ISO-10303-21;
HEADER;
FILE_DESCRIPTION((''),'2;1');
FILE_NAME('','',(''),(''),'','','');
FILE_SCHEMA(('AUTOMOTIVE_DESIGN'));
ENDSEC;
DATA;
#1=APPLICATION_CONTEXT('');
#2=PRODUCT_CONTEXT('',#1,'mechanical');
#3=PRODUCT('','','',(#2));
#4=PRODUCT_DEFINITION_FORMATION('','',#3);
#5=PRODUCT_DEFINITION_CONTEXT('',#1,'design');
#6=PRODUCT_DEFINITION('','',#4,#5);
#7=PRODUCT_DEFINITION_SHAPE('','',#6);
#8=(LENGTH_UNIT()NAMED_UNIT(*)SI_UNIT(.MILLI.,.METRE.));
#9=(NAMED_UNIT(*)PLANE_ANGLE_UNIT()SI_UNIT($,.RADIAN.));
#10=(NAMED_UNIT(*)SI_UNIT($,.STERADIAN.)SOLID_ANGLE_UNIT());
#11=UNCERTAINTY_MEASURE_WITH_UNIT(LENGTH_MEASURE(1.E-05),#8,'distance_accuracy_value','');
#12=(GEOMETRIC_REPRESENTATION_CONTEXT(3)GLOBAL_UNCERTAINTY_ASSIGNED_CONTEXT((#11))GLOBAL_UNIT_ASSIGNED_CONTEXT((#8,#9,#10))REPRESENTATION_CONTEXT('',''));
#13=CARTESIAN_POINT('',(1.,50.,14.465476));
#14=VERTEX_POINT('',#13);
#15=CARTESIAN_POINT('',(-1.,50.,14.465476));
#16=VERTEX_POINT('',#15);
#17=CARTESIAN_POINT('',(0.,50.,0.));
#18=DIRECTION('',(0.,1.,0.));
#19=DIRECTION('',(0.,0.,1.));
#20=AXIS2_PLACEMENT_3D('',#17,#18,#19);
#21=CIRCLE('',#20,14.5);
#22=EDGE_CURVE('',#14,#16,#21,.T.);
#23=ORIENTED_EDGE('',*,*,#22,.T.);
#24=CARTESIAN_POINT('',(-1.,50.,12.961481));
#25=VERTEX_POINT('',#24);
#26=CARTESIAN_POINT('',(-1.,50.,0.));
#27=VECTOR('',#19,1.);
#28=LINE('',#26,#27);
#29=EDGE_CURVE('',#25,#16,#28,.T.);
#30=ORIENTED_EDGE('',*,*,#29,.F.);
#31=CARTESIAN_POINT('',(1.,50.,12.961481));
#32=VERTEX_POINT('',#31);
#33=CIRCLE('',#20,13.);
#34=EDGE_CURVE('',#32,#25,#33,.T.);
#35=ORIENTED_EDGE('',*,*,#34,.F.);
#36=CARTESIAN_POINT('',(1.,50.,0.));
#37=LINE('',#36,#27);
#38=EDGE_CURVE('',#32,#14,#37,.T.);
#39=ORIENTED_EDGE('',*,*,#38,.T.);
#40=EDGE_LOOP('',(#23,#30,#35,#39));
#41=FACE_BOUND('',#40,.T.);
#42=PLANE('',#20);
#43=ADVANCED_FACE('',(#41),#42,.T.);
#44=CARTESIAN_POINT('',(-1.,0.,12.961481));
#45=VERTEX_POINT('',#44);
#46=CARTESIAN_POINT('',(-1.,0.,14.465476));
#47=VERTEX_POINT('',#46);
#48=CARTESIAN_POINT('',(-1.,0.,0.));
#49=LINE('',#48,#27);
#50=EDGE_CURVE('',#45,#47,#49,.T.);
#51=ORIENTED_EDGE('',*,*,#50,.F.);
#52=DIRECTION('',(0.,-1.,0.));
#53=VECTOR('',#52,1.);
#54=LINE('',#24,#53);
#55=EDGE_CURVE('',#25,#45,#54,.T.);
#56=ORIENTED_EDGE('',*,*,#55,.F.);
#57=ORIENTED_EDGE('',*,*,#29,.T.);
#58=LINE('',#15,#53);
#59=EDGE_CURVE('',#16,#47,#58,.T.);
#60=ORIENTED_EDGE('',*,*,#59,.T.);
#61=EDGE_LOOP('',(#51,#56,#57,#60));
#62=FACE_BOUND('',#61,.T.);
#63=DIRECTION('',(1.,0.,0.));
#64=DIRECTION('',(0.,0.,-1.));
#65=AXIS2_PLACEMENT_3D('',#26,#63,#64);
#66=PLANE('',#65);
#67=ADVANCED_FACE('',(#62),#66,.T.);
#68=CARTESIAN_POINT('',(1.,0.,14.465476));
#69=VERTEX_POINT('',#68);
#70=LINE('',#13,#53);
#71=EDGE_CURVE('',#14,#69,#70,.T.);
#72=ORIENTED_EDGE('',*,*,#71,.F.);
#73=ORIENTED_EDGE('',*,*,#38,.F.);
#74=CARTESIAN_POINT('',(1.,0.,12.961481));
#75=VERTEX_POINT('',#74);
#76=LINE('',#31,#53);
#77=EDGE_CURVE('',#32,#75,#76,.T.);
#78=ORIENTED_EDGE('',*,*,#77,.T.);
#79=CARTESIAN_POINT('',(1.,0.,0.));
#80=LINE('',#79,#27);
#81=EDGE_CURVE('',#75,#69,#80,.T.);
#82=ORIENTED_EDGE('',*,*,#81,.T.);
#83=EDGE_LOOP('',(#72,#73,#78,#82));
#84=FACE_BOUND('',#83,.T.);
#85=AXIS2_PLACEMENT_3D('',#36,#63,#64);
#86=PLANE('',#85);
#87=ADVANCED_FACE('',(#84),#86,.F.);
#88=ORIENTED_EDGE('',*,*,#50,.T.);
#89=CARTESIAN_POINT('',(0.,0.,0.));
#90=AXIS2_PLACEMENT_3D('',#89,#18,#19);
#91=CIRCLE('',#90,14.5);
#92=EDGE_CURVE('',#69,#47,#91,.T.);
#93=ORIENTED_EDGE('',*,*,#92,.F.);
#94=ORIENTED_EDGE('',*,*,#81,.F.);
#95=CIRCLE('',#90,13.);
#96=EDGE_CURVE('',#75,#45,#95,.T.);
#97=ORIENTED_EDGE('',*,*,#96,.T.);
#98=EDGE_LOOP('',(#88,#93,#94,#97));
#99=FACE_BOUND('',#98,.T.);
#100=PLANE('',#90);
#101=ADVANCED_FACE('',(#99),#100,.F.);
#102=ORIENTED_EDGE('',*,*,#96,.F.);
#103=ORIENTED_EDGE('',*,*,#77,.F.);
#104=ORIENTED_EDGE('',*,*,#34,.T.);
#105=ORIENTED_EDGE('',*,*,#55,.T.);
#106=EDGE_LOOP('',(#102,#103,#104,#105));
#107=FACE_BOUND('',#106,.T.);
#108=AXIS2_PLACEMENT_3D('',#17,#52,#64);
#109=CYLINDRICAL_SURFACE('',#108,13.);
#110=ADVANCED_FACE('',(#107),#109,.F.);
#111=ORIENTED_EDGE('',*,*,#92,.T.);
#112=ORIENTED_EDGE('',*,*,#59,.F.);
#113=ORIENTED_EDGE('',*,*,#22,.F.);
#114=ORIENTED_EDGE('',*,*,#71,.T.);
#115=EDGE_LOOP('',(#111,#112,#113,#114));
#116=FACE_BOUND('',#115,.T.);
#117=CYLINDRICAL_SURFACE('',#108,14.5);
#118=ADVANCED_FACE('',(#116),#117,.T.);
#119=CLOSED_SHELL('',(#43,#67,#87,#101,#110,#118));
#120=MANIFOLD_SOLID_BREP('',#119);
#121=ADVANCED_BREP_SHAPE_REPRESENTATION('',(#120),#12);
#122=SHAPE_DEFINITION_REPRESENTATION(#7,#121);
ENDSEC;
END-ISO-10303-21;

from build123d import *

# Parameters (mm, degrees)
BOSS_EXTRUDE1_DEPTH = 50


with BuildPart() as part:
    # Sketch1 → Boss-Extrude1 (new body)
    with BuildSketch(Plane(origin=(0, 0, 0), x_dir=(1, 0, 0), z_dir=(0, 1, 0))):
        with BuildLine():
            Line((-1, -14.465476141), (-1, -12.961481397))
            ThreePointArc((-1, -12.961481397), (-8.831760866, 9.539392014), (13, 0))
            ThreePointArc((13, 0), (9.539392014, -8.831760866), (1, -12.961481397))
            Line((1, -12.961481397), (1, -14.465476141))
            ThreePointArc((1, -14.465476141), (10.600707524, -9.893179469), (14.5, 0))
            ThreePointArc((14.5, 0), (-9.893179469, 10.600707524), (-1, -14.465476141))
        make_face()
    extrude(amount=BOSS_EXTRUDE1_DEPTH)


solid = part.part
